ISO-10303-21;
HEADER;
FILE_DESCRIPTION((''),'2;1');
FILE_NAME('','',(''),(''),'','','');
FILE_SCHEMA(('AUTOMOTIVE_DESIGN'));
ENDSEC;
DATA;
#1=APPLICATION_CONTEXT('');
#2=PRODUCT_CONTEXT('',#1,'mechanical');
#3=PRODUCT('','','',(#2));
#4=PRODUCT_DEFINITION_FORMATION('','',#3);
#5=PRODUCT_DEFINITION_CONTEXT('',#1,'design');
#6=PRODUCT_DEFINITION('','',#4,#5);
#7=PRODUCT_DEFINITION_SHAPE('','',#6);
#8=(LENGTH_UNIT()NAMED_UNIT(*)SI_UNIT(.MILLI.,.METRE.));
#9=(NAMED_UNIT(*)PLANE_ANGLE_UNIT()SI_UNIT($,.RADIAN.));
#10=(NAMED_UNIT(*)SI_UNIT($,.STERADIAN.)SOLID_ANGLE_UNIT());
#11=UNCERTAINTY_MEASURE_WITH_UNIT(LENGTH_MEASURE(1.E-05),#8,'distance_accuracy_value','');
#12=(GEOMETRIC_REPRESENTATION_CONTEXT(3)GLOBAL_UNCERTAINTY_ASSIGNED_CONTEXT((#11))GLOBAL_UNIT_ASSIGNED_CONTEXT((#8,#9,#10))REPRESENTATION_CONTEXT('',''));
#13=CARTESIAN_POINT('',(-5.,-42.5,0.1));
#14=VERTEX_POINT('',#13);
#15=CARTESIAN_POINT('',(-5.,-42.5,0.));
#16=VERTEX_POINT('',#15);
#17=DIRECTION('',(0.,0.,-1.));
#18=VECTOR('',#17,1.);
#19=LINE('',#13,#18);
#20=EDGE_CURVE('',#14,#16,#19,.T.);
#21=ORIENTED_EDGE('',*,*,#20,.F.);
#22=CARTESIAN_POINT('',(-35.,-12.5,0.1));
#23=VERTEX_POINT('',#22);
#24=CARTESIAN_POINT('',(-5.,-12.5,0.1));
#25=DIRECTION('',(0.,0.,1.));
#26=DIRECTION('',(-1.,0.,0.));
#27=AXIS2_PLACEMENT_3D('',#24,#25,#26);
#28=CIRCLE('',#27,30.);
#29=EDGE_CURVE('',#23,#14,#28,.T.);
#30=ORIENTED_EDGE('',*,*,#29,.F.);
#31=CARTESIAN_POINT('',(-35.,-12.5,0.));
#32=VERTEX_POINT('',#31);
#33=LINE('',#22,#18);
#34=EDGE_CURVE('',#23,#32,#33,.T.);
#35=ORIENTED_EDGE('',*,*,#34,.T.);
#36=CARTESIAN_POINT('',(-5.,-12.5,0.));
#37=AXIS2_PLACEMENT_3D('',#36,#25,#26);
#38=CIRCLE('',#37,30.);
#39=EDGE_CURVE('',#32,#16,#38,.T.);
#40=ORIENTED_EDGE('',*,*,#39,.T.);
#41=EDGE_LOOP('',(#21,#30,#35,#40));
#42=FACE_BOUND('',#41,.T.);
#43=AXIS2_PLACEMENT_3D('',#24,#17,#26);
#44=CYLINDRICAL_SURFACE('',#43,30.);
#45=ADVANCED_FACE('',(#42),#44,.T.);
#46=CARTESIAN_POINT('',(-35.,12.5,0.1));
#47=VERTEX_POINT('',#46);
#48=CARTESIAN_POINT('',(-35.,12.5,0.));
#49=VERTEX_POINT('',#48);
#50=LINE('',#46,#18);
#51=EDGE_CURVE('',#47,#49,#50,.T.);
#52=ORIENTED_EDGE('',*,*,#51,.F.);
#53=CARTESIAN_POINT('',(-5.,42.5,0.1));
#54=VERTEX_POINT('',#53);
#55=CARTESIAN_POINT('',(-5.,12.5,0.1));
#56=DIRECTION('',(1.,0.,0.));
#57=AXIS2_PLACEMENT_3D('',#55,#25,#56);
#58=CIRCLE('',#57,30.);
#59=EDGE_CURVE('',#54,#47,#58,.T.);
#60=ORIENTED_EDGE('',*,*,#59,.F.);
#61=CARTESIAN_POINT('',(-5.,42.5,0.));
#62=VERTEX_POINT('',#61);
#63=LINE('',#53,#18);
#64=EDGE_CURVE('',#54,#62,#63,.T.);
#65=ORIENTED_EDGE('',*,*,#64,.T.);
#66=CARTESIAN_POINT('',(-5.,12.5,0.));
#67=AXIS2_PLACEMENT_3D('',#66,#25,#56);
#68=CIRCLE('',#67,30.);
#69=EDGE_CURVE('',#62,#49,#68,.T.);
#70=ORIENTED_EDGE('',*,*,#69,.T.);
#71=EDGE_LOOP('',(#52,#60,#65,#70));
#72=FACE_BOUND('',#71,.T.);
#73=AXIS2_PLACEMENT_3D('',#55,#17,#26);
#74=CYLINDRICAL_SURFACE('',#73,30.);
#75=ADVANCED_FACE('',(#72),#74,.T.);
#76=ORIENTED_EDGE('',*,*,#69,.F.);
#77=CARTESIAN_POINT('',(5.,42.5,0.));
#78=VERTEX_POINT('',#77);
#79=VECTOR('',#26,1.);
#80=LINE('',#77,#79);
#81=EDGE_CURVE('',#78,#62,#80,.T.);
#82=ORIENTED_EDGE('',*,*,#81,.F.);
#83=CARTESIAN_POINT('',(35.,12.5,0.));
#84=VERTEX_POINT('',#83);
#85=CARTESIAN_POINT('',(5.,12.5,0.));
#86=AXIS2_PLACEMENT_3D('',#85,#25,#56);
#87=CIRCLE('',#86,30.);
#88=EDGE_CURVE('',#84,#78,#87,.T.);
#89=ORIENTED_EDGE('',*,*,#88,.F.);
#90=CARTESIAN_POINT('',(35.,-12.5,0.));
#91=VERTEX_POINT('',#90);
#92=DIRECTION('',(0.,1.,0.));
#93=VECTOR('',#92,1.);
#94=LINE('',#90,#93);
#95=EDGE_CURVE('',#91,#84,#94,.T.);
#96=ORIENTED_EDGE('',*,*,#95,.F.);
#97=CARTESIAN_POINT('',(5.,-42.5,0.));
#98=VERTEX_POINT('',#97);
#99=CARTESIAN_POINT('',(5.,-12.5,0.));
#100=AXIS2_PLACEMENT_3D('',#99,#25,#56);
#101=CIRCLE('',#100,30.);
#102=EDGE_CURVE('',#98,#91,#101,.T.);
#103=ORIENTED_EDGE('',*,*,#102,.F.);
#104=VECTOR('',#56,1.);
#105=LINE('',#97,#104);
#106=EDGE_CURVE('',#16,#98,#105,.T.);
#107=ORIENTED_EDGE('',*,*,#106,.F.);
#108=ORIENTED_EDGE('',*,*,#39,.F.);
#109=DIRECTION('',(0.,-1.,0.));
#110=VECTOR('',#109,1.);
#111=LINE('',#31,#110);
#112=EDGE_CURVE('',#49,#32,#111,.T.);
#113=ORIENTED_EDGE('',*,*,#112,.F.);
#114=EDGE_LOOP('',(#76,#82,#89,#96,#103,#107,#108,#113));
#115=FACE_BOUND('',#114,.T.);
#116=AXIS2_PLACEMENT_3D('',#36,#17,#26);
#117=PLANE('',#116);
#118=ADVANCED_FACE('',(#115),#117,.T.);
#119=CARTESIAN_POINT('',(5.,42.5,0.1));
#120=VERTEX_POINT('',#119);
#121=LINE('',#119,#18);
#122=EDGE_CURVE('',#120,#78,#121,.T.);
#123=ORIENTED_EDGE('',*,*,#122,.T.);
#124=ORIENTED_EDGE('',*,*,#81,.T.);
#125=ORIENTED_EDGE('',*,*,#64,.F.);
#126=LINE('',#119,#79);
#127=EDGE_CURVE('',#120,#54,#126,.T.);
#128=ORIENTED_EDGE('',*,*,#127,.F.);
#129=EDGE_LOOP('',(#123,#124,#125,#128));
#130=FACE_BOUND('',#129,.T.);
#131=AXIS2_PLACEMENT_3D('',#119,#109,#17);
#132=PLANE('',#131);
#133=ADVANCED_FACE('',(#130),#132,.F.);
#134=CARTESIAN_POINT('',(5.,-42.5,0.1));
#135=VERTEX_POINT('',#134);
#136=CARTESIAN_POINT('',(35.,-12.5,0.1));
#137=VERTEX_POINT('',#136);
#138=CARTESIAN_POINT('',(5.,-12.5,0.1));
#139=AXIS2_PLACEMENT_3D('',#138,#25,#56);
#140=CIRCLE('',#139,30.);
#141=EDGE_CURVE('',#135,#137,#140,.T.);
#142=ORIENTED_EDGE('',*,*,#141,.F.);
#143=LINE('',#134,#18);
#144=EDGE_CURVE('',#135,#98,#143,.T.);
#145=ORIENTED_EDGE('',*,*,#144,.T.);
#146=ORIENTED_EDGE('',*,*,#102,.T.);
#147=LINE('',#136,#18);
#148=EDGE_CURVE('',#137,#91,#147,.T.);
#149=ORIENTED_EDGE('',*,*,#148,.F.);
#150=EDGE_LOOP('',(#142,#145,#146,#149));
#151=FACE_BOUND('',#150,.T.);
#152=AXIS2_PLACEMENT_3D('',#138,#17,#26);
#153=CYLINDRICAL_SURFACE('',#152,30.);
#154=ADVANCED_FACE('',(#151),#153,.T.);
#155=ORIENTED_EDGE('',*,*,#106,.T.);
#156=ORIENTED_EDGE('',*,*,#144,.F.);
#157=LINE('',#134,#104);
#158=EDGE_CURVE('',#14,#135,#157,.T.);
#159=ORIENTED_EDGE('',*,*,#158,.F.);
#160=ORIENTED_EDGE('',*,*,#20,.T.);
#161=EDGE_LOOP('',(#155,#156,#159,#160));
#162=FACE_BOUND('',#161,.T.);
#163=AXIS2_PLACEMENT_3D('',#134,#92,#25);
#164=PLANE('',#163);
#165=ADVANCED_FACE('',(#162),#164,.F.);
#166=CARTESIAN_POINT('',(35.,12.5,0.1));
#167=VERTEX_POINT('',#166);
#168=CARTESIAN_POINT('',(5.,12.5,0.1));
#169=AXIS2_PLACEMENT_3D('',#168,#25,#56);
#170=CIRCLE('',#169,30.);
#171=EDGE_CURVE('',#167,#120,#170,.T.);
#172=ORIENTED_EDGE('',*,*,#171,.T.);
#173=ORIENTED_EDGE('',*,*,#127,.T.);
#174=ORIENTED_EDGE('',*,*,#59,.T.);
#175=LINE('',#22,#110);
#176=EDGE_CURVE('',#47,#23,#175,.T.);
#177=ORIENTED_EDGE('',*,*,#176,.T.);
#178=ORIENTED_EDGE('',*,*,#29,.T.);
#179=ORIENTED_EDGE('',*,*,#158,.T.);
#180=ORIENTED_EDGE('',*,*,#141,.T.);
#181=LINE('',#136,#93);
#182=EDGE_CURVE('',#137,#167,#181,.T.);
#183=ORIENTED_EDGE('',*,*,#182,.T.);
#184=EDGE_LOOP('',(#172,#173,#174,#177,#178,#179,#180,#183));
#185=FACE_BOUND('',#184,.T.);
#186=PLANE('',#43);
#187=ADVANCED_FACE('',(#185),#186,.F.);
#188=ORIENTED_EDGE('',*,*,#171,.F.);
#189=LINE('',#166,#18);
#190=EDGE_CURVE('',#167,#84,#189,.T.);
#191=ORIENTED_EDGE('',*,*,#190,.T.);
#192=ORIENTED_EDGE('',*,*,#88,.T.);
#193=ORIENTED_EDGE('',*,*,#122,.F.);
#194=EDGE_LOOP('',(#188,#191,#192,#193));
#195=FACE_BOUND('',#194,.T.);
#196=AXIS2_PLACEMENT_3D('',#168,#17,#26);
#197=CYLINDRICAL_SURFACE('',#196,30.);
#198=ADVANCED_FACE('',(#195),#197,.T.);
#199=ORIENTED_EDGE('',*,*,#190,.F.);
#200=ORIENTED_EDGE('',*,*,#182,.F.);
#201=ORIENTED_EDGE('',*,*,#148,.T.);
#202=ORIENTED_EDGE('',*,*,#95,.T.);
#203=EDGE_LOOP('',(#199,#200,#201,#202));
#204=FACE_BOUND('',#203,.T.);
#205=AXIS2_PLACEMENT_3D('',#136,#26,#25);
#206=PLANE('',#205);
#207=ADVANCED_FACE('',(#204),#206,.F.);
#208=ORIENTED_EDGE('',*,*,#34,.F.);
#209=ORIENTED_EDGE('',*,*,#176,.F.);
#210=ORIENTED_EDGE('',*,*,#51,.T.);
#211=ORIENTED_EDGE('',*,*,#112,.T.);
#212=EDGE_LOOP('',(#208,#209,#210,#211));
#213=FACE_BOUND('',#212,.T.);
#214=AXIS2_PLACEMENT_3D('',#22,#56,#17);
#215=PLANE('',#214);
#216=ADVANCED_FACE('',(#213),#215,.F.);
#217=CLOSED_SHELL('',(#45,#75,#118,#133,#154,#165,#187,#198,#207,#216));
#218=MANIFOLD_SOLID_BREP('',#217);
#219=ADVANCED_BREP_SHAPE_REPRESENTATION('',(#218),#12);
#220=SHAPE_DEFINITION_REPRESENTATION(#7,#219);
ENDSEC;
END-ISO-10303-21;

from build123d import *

# Parameters (mm, degrees)
BOSS_EXTRUDE1_DEPTH = 0.1


with BuildPart() as part:
    # Sketch1 → Boss-Extrude1 (new body)
    with BuildSketch(Plane.XY):
        with BuildLine():
            Line((5, -42.5), (-5, -42.5))
            ThreePointArc((-5, -42.5), (-26.213203436, -33.713203436), (-35, -12.5))
            Line((-35, -12.5), (-35, 12.5))
            ThreePointArc((-35, 12.5), (-26.213203436, 33.713203436), (-5, 42.5))
            Line((-5, 42.5), (5, 42.5))
            ThreePointArc((5, 42.5), (26.213203436, 33.713203436), (35, 12.5))
            Line((35, 12.5), (35, -12.5))
            ThreePointArc((35, -12.5), (26.213203436, -33.713203436), (5, -42.5))
        make_face()
    extrude(amount=BOSS_EXTRUDE1_DEPTH)


solid = part.part
